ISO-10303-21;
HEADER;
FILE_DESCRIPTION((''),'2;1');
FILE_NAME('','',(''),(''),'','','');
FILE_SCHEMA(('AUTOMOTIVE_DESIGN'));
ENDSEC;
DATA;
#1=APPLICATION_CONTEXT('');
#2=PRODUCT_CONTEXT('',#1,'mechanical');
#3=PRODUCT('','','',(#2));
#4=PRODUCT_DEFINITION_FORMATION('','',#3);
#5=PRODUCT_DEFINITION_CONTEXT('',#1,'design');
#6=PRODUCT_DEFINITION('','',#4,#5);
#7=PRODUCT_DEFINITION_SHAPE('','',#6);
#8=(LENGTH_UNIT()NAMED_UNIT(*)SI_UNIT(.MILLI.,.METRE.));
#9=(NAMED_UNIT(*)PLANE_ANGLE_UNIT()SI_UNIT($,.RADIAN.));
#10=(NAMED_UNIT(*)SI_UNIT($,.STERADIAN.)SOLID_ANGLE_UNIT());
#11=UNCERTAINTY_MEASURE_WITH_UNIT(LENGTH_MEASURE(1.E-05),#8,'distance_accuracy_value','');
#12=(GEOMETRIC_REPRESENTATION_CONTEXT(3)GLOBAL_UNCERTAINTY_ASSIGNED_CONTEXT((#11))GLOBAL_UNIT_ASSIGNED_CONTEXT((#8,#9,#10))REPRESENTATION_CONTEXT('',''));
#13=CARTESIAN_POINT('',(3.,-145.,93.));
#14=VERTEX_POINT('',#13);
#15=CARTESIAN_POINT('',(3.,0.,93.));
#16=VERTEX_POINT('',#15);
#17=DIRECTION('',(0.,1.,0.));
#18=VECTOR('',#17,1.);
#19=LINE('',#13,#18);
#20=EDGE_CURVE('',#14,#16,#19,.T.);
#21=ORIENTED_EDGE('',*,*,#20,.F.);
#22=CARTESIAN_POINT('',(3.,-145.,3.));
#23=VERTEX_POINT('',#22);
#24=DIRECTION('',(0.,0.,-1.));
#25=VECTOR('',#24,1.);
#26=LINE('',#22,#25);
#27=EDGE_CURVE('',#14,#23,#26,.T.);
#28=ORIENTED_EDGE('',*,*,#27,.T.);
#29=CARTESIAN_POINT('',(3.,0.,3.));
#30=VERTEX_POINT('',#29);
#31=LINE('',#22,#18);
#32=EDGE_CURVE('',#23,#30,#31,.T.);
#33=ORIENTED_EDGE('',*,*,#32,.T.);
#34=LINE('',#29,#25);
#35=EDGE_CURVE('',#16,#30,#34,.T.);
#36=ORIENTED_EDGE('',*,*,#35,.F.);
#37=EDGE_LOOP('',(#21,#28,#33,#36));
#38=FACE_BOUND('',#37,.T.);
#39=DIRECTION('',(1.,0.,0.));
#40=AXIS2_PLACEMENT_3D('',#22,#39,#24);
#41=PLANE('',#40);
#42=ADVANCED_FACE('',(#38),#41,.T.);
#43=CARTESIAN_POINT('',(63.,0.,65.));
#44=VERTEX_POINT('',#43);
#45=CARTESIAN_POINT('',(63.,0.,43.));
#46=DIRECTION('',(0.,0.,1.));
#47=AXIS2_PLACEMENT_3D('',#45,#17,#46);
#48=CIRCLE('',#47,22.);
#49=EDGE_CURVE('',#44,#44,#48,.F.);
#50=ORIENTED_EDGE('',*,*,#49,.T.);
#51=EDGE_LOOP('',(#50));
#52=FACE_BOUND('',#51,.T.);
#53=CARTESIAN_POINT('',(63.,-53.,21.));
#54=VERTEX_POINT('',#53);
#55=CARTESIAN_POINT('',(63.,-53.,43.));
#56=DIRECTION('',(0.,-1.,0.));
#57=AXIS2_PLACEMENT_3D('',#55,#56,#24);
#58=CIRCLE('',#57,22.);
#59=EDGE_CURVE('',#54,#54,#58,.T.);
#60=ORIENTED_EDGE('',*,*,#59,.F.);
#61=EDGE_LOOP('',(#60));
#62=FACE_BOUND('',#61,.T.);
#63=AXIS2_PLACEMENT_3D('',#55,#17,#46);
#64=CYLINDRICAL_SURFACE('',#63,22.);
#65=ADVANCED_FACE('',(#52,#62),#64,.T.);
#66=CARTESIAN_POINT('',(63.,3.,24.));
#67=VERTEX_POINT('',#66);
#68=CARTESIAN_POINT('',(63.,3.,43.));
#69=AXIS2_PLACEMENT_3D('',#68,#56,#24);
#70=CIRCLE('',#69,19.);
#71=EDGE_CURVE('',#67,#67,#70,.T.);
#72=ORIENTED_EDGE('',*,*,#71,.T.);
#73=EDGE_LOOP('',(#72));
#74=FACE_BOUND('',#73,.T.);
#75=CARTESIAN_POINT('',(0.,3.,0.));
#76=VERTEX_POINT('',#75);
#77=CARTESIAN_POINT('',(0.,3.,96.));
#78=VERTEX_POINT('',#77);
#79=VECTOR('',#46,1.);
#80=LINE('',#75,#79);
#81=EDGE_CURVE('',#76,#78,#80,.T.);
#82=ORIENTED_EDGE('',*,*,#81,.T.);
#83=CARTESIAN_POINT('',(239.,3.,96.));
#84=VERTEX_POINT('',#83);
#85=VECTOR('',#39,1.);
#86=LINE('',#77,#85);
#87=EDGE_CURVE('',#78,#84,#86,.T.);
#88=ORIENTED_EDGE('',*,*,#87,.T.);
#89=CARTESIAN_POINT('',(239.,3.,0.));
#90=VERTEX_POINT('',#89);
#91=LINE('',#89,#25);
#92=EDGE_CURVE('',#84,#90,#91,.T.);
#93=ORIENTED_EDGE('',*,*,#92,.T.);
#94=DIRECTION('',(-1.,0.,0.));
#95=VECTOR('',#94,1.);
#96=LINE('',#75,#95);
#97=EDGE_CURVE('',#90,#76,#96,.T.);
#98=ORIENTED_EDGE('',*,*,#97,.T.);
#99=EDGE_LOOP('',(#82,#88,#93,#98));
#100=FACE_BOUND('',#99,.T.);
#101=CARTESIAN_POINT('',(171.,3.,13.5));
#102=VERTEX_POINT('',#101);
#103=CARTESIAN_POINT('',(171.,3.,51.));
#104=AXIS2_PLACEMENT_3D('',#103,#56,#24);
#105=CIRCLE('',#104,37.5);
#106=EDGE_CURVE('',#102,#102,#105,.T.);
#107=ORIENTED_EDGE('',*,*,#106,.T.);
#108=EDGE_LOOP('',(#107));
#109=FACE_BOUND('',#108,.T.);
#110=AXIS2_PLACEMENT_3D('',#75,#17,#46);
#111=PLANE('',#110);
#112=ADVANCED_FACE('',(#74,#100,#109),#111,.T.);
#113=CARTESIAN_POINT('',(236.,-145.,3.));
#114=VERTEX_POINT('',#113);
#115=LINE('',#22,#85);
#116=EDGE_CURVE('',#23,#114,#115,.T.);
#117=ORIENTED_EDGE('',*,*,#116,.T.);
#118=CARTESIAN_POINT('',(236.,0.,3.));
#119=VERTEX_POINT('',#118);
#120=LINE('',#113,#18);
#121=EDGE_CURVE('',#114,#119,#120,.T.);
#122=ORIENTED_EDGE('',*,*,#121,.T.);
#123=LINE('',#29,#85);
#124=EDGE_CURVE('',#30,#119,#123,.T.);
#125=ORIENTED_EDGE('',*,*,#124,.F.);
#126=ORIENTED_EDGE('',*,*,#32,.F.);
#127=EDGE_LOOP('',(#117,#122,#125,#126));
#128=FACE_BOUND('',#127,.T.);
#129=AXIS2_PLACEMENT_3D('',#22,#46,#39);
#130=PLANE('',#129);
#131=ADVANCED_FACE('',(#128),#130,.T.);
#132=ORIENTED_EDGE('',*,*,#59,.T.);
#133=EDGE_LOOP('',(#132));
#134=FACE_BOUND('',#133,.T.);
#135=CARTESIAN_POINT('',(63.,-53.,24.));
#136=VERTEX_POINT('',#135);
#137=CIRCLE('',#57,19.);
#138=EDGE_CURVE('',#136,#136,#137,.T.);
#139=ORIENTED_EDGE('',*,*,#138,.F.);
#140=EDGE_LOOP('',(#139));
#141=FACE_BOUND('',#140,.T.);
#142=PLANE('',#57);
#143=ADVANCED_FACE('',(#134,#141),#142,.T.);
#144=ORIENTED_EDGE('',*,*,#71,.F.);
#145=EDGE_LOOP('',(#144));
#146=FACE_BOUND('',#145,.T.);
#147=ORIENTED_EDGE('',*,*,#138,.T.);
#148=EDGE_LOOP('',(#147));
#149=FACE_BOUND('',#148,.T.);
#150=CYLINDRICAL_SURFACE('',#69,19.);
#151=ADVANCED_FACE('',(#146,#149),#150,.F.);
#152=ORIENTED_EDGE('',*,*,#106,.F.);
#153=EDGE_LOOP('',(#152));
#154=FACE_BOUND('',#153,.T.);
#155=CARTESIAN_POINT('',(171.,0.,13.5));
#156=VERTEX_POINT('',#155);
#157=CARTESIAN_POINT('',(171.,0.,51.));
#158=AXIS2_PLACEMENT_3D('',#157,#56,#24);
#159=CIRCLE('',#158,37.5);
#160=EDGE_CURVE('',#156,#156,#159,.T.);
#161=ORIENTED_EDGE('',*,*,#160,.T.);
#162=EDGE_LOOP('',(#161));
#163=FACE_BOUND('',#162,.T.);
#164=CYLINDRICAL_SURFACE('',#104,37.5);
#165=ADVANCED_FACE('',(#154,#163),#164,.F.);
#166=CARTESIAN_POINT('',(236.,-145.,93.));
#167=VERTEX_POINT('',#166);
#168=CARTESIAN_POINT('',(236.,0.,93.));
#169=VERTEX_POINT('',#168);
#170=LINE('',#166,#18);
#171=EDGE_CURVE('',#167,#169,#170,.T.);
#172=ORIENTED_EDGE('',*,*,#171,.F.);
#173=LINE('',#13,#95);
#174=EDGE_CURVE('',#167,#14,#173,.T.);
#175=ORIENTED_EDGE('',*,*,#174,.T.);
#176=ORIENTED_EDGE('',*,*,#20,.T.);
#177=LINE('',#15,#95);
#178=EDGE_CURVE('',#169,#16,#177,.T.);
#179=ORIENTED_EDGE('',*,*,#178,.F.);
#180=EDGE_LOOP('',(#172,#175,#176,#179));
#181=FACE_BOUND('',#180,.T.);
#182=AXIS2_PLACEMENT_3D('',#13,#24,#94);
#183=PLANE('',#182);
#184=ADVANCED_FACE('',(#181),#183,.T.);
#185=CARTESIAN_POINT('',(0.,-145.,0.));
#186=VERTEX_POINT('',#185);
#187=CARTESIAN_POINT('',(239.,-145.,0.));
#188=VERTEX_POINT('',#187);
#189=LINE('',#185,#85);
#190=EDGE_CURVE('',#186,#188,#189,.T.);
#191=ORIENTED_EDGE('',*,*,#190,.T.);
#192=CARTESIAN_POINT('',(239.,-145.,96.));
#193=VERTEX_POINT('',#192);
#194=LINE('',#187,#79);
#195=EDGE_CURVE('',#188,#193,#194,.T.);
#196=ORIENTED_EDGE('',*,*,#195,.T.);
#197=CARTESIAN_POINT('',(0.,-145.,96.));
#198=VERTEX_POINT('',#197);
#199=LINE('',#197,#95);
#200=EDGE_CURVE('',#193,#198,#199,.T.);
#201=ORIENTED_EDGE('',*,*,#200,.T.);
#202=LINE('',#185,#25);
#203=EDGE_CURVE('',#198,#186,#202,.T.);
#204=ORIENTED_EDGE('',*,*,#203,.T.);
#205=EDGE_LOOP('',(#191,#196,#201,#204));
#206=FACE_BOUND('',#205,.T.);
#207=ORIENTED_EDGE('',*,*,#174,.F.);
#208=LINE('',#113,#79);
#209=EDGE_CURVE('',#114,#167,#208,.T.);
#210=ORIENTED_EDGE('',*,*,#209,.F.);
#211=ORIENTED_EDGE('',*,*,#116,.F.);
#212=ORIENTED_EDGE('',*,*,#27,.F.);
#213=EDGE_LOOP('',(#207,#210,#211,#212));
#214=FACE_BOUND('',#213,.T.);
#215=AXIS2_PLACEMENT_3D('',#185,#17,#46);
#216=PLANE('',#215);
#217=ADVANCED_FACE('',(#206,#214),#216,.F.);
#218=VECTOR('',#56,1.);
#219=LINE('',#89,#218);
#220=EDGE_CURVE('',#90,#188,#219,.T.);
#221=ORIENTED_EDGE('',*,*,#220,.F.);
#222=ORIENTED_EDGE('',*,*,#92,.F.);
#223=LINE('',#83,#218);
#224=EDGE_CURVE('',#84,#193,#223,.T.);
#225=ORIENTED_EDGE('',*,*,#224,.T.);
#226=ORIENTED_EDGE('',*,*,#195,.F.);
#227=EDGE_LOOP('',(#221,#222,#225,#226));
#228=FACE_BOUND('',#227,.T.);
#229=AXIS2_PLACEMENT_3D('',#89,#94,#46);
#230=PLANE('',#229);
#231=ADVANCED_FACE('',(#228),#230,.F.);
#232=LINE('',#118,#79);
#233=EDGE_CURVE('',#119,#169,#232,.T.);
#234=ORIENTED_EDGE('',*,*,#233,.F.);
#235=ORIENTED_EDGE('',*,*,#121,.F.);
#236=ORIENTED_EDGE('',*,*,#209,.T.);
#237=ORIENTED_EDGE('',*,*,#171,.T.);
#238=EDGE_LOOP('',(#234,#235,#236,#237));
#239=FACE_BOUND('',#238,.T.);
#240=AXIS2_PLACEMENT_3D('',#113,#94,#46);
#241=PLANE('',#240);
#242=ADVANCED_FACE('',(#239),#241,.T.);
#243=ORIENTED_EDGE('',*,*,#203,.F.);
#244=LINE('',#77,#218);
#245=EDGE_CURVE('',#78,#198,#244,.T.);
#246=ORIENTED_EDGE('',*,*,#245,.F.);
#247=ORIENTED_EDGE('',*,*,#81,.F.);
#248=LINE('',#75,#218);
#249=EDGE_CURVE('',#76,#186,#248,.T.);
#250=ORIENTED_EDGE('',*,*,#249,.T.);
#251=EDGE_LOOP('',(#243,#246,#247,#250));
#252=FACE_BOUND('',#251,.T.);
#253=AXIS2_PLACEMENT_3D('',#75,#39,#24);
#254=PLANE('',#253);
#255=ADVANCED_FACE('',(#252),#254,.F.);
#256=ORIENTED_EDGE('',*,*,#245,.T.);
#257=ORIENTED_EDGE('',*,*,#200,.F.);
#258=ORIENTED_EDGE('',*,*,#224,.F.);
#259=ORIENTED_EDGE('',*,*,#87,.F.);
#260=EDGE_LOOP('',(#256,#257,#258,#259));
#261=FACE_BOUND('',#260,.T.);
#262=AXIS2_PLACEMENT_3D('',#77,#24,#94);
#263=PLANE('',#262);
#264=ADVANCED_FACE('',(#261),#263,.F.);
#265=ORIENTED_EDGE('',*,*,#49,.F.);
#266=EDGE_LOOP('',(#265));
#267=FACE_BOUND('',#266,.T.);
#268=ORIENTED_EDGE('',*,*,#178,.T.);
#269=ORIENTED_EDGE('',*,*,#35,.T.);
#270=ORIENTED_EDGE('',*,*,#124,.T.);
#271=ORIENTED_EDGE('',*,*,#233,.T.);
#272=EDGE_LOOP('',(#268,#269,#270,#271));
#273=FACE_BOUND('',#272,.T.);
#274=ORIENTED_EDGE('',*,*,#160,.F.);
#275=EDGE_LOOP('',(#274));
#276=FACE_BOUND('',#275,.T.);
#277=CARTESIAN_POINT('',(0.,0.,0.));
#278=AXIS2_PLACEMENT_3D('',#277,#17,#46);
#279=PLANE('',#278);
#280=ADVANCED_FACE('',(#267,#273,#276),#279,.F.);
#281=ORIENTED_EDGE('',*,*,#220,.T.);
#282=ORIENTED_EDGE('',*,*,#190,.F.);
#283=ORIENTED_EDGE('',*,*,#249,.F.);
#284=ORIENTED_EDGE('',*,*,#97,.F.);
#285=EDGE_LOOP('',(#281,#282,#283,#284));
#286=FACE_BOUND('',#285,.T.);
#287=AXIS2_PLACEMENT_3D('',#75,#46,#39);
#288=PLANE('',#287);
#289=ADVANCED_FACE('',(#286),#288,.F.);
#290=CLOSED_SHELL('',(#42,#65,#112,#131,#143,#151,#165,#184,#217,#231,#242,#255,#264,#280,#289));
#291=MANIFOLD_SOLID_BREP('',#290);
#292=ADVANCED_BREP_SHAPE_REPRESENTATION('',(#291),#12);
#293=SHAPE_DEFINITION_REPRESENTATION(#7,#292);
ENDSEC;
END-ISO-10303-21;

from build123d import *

# Parameters (mm, degrees)
SKETCH1_W           = 239
SKETCH1_H           = 96
BOSS_EXTRUDE1_DEPTH = 3
SKETCH2_W           = 239
SKETCH2_H           = 96
SKETCH2_W_2         = 233
SKETCH2_H_2         = 90
BOSS_EXTRUDE2_DEPTH = 145
SKETCH3_R           = 37.5
CUT_EXTRUDE1_DEPTH  = 3
SKETCH4_R           = 19
CUT_EXTRUDE2_DEPTH  = 3
BOSS_EXTRUDE3_START = 53
SKETCH5_R           = 22
SKETCH5_R_2         = 19
BOSS_EXTRUDE3_DEPTH = 53


with BuildPart() as part:
    # Sketch1 → Boss-Extrude1 (new body)
    with BuildSketch(Plane(origin=(0, 0, 0), x_dir=(1, 0, 0), z_dir=(0, 1, 0))):
        with Locations((119.5, -48)):
            Rectangle(SKETCH1_W, SKETCH1_H)
    extrude(amount=BOSS_EXTRUDE1_DEPTH)

    # Sketch2 → Boss-Extrude2 (add)
    with BuildSketch(Plane(origin=(0, 0, 0), x_dir=(-1, 0, 0), z_dir=(0, -1, 0))):
        with Locations((-119.5, -48)):
            Rectangle(SKETCH2_W, SKETCH2_H)
        with Locations((-119.5, -48)):
            Rectangle(SKETCH2_W_2, SKETCH2_H_2, mode=Mode.SUBTRACT)
    extrude(amount=BOSS_EXTRUDE2_DEPTH)

    # Sketch3 → Cut-Extrude1 (cut)
    with BuildSketch(Plane(origin=(0, 0, 0), x_dir=(-1, 0, 0), z_dir=(0, -1, 0))):
        with Locations(Location((-171, -51, 0), (0, 0, 90))):
            Circle(SKETCH3_R)
    extrude(amount=-CUT_EXTRUDE1_DEPTH, mode=Mode.SUBTRACT)

    # Sketch4 → Cut-Extrude2 (cut)
    with BuildSketch(Plane(origin=(0, 0, 0), x_dir=(-1, 0, 0), z_dir=(0, -1, 0))):
        with Locations(Location((-63, -43, 0), (0, 0, 90))):
            Circle(SKETCH4_R)
    extrude(amount=-CUT_EXTRUDE2_DEPTH, mode=Mode.SUBTRACT)

    # Sketch5 → Boss-Extrude3 (add)
    with BuildSketch(Plane(origin=(0, 0, 0), x_dir=(-1, 0, 0), z_dir=(0, -1, 0)).offset(BOSS_EXTRUDE3_START)):
        with Locations(Location((-63, -43, 0), (0, 0, 270))):
            Circle(SKETCH5_R)
        with Locations(Location((-63, -43, 0), (0, 0, 90))):
            Circle(SKETCH5_R_2, mode=Mode.SUBTRACT)
    extrude(amount=-BOSS_EXTRUDE3_DEPTH)


solid = part.part
